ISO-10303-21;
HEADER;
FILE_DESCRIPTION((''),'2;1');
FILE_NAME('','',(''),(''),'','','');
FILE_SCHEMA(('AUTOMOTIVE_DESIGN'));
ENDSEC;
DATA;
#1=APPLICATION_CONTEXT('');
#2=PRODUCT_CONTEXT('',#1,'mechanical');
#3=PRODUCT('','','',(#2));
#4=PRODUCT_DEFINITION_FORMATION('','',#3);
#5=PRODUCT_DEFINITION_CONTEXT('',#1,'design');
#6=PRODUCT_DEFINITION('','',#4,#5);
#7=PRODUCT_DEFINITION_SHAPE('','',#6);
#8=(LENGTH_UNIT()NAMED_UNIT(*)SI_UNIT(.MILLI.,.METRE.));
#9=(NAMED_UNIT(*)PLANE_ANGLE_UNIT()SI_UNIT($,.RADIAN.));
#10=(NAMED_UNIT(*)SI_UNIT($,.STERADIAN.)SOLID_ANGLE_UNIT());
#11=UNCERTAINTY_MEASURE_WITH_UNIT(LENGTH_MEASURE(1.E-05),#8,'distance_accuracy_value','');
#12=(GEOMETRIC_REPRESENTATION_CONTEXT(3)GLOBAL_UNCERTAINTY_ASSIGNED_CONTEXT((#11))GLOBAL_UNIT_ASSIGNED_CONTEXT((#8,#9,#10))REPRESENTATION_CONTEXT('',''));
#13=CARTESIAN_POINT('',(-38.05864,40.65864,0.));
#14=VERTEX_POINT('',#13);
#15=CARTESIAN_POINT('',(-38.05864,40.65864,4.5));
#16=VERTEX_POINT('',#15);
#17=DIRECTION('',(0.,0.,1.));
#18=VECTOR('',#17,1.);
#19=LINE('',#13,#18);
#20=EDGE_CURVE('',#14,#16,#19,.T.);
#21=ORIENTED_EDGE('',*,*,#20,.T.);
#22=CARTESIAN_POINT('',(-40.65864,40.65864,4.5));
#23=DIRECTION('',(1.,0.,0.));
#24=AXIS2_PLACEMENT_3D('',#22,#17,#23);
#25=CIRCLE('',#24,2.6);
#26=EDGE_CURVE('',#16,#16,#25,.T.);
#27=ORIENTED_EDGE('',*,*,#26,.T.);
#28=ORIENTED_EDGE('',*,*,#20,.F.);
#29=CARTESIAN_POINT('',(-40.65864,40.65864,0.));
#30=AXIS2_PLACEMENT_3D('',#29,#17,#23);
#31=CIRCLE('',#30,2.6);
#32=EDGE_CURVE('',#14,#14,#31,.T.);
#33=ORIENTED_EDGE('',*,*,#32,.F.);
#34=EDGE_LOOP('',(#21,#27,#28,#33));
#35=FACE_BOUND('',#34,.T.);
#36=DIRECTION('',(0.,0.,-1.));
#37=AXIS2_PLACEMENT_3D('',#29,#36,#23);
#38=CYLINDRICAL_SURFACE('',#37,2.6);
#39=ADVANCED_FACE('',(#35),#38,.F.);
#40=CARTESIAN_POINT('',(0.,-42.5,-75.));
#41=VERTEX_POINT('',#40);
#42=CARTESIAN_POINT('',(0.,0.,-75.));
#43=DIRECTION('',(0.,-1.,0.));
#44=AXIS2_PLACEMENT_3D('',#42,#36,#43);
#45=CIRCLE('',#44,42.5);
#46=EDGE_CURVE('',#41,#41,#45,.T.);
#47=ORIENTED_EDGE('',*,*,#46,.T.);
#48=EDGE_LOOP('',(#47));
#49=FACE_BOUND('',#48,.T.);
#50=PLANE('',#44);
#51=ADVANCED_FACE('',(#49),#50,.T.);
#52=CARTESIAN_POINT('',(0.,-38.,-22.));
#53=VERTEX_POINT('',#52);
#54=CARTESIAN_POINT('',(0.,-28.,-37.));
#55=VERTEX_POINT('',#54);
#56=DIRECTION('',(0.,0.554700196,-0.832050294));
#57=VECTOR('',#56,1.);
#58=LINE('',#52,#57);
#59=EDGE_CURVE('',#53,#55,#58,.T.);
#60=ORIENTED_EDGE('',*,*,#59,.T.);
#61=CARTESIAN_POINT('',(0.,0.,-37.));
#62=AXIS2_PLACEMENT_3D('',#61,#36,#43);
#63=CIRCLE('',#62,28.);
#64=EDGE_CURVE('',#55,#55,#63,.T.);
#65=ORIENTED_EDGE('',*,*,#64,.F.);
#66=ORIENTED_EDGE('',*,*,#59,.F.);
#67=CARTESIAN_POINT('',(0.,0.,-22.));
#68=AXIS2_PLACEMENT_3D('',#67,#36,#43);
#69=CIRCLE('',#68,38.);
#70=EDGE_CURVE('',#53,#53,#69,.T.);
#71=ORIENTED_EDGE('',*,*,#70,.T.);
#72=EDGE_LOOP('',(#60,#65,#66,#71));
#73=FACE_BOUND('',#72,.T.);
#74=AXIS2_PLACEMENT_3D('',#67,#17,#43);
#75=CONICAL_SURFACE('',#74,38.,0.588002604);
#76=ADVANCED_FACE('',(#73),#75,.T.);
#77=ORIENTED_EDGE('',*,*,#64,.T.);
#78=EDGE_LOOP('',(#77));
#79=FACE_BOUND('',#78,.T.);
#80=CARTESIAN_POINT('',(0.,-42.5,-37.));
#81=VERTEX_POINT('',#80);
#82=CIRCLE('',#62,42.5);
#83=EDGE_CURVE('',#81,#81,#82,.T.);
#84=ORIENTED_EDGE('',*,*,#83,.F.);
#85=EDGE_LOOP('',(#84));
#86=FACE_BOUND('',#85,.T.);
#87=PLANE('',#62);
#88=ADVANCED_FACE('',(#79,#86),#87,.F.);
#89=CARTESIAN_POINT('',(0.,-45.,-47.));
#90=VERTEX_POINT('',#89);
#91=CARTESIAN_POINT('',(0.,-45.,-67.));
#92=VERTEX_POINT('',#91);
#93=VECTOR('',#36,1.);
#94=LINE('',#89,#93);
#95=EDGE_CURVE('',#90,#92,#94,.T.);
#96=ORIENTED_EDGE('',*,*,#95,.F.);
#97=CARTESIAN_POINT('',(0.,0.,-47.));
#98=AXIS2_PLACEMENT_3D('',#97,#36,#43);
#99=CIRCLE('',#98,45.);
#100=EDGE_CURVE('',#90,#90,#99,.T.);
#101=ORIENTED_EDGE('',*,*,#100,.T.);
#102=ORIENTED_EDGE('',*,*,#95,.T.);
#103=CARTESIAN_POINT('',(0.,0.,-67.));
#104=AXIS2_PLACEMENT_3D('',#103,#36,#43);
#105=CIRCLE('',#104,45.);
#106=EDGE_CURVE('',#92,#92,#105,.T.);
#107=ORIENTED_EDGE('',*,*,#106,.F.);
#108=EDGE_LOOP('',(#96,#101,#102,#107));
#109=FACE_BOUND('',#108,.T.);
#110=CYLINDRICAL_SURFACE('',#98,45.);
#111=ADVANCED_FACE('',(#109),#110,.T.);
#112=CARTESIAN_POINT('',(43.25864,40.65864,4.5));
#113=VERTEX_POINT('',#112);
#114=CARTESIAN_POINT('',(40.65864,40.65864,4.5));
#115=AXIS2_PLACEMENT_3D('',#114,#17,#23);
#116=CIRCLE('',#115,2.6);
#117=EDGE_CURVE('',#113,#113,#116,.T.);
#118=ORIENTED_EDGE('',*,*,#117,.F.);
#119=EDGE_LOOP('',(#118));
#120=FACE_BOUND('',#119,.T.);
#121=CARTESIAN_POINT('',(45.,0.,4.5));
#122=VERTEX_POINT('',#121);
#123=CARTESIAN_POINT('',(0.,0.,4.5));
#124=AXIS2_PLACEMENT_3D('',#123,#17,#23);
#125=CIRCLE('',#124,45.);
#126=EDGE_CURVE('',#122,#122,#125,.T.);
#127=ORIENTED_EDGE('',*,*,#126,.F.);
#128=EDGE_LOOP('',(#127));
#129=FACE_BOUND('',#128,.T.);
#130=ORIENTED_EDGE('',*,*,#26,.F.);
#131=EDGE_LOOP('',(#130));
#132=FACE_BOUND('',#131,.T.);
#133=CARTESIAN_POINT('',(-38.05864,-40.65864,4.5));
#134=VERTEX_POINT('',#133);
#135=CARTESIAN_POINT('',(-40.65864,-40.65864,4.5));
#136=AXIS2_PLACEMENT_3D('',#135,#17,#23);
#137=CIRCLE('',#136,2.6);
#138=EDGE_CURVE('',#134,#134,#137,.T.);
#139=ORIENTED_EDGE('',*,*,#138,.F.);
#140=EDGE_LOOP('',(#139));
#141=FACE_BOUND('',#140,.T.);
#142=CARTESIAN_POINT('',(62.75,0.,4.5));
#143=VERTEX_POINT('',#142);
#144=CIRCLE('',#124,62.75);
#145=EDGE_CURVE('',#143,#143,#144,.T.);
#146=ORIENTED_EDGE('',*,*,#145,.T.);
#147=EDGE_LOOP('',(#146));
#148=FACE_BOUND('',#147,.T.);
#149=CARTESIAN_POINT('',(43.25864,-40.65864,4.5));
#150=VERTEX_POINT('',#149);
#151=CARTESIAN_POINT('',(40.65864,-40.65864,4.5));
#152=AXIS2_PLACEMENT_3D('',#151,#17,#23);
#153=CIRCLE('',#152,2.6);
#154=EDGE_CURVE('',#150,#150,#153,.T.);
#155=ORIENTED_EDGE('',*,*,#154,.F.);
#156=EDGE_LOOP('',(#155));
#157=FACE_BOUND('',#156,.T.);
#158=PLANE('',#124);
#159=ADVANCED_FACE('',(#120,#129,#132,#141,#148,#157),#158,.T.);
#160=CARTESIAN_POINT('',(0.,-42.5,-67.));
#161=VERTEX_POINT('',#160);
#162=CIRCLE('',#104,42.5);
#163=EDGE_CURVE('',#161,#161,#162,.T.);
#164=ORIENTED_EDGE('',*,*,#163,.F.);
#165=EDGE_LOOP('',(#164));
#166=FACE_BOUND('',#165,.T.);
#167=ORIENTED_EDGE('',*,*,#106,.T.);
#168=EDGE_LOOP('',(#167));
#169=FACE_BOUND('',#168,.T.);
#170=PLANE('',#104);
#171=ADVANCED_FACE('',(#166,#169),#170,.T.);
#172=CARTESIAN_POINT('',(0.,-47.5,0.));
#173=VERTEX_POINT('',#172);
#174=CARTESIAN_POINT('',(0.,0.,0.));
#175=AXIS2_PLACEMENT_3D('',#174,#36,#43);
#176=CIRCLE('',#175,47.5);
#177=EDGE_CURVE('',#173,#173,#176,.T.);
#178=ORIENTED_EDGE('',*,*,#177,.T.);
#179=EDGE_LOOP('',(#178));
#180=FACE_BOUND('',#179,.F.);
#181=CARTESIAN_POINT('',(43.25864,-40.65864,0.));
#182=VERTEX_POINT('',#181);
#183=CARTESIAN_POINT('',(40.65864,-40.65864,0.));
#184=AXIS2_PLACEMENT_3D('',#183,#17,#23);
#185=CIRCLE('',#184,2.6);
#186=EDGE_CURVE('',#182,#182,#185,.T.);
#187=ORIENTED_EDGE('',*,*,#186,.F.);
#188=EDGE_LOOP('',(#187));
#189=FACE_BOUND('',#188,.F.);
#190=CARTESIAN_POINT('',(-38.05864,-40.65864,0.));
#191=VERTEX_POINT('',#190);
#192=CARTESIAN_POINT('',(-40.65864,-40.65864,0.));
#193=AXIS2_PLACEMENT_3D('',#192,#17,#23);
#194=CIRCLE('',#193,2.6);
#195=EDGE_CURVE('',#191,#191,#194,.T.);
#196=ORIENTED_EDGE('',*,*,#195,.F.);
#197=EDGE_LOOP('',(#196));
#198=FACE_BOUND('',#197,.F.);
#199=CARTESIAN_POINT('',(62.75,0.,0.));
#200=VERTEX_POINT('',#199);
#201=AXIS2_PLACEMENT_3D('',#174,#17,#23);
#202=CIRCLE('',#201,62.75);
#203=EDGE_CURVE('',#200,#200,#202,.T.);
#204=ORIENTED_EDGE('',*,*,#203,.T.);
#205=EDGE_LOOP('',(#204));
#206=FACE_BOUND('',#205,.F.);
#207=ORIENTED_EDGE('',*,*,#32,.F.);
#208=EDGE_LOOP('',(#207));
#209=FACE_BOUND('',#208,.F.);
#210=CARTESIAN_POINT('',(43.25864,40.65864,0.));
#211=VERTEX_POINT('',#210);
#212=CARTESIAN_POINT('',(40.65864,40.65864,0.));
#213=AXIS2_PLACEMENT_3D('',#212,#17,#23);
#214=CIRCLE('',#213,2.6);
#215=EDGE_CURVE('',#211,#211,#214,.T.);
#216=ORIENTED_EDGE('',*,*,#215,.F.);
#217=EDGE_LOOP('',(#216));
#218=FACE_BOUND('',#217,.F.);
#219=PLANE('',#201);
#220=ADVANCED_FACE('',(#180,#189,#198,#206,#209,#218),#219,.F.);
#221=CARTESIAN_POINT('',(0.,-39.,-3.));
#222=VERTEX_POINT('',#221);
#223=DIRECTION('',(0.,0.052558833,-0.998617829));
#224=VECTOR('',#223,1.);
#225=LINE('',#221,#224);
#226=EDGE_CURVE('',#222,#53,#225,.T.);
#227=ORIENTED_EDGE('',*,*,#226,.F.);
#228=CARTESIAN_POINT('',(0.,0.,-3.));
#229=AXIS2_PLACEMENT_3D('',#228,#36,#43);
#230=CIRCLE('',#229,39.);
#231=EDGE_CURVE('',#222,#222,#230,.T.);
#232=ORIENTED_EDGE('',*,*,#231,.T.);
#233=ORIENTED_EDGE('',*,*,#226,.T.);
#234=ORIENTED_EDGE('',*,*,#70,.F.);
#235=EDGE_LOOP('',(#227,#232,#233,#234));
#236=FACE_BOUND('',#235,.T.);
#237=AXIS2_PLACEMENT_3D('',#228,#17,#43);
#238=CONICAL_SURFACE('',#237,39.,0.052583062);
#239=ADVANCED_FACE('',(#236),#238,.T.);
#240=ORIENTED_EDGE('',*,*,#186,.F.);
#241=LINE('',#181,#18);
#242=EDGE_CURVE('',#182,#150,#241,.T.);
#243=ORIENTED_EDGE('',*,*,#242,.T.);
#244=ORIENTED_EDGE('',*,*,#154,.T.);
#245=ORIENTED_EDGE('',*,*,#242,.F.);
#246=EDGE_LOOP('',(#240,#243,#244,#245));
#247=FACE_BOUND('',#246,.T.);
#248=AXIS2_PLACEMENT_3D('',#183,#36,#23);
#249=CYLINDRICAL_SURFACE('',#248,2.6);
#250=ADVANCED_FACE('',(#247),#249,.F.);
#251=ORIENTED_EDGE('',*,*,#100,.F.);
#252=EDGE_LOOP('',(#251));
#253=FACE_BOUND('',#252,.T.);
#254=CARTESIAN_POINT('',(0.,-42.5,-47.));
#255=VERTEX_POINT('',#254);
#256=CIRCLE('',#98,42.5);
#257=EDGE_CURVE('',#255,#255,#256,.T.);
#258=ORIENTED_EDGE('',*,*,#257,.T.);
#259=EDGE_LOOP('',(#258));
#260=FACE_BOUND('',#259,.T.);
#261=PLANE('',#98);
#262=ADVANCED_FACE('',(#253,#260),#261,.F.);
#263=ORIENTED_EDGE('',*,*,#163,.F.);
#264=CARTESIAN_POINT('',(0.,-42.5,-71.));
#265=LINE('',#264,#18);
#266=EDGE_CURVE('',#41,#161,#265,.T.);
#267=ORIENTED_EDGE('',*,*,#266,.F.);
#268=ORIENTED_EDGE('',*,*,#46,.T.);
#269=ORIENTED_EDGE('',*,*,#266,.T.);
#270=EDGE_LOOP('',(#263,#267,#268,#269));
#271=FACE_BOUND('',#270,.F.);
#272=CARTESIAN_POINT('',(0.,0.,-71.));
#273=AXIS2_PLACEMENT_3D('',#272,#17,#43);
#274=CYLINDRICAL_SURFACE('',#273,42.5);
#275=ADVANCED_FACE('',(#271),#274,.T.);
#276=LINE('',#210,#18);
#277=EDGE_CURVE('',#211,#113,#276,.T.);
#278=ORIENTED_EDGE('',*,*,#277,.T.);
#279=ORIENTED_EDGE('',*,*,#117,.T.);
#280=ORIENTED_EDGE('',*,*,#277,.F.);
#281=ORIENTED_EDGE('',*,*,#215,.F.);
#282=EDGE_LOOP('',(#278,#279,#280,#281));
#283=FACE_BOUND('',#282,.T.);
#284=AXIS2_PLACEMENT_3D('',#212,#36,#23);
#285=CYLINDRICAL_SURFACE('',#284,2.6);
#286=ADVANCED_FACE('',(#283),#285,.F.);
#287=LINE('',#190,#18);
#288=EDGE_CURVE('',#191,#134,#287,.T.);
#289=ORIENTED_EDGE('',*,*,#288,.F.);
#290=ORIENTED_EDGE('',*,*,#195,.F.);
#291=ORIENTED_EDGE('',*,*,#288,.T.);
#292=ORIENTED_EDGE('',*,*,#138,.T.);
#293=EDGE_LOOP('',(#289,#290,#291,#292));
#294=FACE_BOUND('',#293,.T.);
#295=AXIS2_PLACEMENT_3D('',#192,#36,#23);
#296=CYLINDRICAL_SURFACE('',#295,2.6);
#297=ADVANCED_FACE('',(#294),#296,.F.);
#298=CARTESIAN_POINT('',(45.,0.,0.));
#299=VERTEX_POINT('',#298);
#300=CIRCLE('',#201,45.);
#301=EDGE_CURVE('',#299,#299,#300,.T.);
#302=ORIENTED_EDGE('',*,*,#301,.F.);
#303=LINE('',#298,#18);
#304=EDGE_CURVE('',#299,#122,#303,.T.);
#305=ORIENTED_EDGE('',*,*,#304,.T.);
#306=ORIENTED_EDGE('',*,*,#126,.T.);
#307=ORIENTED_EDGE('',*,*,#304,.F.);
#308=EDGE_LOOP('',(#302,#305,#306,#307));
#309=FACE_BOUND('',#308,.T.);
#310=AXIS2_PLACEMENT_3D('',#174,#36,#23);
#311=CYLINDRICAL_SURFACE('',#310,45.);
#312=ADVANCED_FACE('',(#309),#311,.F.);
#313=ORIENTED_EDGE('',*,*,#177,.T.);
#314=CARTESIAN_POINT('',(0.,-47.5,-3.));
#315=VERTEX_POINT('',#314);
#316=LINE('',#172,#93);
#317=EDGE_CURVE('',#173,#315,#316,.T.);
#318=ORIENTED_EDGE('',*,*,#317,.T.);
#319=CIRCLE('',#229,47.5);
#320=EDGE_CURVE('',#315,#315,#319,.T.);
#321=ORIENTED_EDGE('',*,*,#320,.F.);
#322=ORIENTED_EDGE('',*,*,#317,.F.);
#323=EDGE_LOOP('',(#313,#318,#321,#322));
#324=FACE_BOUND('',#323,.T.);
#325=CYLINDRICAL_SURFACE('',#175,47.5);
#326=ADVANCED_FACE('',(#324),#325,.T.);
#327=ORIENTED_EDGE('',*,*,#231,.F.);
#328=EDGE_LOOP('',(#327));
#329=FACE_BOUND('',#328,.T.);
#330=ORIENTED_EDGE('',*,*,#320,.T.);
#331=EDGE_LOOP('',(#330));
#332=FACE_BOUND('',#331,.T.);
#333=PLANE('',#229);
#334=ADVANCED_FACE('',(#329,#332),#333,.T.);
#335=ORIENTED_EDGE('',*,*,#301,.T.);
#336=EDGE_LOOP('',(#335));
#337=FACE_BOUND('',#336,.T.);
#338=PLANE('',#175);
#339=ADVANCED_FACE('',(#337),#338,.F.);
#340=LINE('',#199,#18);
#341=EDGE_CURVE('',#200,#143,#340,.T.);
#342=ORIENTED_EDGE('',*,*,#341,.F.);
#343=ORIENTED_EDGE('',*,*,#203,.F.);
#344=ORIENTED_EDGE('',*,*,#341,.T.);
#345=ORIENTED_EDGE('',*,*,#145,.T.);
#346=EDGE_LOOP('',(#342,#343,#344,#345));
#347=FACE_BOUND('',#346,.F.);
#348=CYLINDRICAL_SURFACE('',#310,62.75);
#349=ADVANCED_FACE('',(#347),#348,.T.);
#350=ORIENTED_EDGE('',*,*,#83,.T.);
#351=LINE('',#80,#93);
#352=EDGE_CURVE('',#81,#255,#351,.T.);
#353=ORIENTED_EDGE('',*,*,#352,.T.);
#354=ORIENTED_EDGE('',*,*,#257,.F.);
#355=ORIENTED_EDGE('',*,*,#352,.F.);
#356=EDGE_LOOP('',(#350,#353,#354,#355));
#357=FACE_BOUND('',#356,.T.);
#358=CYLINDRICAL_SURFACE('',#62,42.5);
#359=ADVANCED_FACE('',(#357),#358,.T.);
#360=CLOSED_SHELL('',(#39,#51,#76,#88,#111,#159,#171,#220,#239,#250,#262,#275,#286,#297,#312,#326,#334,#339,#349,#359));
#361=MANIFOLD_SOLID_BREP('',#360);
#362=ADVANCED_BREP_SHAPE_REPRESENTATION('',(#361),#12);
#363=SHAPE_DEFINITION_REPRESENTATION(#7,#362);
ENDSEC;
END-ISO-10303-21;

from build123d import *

# Parameters (mm, degrees)
F0_W     = 42.5
F0_H     = 8
F1_R     = 62.75
F1_R_2   = 2.6
F1_R_3   = 45
F3_DEPTH = 4.5


with BuildPart() as f2:
    # F0 (on Right) → F2 (revolve)
    with BuildSketch(Plane.YZ):
        Polygon((0, -37), (0, 0), (-47.5, 0), (-47.5, -3), (-39, -3), (-38, -22), (-28, -37), align=None)
        Polygon((0, -47), (0, -37), (-28, -37), (-42.5, -37), (-42.5, -47), align=None)
        Polygon((0, -67), (0, -47), (-42.5, -47), (-45, -47), (-45, -67), (-42.5, -67), align=None)
        with Locations((-21.25, -71)):
            Rectangle(F0_W, F0_H)
    revolve(axis=Axis((0, 0, -38.677778095), (0, 0, -1)))

    # F1 (on Top) → F3 (join)
    with BuildSketch(Plane.XY):
        Circle(F1_R)
        with Locations((-40.6586399182, -40.6586399182)):
            Circle(F1_R_2, mode=Mode.SUBTRACT)
        with Locations((40.6586399182, -40.6586399182)):
            Circle(F1_R_2, mode=Mode.SUBTRACT)
        with Locations((-40.6586399182, 40.6586399182)):
            Circle(F1_R_2, mode=Mode.SUBTRACT)
        Circle(F1_R_3, mode=Mode.SUBTRACT)
        with Locations((40.6586399182, 40.6586399182)):
            Circle(F1_R_2, mode=Mode.SUBTRACT)
    extrude(amount=F3_DEPTH)


solid = f2.part
